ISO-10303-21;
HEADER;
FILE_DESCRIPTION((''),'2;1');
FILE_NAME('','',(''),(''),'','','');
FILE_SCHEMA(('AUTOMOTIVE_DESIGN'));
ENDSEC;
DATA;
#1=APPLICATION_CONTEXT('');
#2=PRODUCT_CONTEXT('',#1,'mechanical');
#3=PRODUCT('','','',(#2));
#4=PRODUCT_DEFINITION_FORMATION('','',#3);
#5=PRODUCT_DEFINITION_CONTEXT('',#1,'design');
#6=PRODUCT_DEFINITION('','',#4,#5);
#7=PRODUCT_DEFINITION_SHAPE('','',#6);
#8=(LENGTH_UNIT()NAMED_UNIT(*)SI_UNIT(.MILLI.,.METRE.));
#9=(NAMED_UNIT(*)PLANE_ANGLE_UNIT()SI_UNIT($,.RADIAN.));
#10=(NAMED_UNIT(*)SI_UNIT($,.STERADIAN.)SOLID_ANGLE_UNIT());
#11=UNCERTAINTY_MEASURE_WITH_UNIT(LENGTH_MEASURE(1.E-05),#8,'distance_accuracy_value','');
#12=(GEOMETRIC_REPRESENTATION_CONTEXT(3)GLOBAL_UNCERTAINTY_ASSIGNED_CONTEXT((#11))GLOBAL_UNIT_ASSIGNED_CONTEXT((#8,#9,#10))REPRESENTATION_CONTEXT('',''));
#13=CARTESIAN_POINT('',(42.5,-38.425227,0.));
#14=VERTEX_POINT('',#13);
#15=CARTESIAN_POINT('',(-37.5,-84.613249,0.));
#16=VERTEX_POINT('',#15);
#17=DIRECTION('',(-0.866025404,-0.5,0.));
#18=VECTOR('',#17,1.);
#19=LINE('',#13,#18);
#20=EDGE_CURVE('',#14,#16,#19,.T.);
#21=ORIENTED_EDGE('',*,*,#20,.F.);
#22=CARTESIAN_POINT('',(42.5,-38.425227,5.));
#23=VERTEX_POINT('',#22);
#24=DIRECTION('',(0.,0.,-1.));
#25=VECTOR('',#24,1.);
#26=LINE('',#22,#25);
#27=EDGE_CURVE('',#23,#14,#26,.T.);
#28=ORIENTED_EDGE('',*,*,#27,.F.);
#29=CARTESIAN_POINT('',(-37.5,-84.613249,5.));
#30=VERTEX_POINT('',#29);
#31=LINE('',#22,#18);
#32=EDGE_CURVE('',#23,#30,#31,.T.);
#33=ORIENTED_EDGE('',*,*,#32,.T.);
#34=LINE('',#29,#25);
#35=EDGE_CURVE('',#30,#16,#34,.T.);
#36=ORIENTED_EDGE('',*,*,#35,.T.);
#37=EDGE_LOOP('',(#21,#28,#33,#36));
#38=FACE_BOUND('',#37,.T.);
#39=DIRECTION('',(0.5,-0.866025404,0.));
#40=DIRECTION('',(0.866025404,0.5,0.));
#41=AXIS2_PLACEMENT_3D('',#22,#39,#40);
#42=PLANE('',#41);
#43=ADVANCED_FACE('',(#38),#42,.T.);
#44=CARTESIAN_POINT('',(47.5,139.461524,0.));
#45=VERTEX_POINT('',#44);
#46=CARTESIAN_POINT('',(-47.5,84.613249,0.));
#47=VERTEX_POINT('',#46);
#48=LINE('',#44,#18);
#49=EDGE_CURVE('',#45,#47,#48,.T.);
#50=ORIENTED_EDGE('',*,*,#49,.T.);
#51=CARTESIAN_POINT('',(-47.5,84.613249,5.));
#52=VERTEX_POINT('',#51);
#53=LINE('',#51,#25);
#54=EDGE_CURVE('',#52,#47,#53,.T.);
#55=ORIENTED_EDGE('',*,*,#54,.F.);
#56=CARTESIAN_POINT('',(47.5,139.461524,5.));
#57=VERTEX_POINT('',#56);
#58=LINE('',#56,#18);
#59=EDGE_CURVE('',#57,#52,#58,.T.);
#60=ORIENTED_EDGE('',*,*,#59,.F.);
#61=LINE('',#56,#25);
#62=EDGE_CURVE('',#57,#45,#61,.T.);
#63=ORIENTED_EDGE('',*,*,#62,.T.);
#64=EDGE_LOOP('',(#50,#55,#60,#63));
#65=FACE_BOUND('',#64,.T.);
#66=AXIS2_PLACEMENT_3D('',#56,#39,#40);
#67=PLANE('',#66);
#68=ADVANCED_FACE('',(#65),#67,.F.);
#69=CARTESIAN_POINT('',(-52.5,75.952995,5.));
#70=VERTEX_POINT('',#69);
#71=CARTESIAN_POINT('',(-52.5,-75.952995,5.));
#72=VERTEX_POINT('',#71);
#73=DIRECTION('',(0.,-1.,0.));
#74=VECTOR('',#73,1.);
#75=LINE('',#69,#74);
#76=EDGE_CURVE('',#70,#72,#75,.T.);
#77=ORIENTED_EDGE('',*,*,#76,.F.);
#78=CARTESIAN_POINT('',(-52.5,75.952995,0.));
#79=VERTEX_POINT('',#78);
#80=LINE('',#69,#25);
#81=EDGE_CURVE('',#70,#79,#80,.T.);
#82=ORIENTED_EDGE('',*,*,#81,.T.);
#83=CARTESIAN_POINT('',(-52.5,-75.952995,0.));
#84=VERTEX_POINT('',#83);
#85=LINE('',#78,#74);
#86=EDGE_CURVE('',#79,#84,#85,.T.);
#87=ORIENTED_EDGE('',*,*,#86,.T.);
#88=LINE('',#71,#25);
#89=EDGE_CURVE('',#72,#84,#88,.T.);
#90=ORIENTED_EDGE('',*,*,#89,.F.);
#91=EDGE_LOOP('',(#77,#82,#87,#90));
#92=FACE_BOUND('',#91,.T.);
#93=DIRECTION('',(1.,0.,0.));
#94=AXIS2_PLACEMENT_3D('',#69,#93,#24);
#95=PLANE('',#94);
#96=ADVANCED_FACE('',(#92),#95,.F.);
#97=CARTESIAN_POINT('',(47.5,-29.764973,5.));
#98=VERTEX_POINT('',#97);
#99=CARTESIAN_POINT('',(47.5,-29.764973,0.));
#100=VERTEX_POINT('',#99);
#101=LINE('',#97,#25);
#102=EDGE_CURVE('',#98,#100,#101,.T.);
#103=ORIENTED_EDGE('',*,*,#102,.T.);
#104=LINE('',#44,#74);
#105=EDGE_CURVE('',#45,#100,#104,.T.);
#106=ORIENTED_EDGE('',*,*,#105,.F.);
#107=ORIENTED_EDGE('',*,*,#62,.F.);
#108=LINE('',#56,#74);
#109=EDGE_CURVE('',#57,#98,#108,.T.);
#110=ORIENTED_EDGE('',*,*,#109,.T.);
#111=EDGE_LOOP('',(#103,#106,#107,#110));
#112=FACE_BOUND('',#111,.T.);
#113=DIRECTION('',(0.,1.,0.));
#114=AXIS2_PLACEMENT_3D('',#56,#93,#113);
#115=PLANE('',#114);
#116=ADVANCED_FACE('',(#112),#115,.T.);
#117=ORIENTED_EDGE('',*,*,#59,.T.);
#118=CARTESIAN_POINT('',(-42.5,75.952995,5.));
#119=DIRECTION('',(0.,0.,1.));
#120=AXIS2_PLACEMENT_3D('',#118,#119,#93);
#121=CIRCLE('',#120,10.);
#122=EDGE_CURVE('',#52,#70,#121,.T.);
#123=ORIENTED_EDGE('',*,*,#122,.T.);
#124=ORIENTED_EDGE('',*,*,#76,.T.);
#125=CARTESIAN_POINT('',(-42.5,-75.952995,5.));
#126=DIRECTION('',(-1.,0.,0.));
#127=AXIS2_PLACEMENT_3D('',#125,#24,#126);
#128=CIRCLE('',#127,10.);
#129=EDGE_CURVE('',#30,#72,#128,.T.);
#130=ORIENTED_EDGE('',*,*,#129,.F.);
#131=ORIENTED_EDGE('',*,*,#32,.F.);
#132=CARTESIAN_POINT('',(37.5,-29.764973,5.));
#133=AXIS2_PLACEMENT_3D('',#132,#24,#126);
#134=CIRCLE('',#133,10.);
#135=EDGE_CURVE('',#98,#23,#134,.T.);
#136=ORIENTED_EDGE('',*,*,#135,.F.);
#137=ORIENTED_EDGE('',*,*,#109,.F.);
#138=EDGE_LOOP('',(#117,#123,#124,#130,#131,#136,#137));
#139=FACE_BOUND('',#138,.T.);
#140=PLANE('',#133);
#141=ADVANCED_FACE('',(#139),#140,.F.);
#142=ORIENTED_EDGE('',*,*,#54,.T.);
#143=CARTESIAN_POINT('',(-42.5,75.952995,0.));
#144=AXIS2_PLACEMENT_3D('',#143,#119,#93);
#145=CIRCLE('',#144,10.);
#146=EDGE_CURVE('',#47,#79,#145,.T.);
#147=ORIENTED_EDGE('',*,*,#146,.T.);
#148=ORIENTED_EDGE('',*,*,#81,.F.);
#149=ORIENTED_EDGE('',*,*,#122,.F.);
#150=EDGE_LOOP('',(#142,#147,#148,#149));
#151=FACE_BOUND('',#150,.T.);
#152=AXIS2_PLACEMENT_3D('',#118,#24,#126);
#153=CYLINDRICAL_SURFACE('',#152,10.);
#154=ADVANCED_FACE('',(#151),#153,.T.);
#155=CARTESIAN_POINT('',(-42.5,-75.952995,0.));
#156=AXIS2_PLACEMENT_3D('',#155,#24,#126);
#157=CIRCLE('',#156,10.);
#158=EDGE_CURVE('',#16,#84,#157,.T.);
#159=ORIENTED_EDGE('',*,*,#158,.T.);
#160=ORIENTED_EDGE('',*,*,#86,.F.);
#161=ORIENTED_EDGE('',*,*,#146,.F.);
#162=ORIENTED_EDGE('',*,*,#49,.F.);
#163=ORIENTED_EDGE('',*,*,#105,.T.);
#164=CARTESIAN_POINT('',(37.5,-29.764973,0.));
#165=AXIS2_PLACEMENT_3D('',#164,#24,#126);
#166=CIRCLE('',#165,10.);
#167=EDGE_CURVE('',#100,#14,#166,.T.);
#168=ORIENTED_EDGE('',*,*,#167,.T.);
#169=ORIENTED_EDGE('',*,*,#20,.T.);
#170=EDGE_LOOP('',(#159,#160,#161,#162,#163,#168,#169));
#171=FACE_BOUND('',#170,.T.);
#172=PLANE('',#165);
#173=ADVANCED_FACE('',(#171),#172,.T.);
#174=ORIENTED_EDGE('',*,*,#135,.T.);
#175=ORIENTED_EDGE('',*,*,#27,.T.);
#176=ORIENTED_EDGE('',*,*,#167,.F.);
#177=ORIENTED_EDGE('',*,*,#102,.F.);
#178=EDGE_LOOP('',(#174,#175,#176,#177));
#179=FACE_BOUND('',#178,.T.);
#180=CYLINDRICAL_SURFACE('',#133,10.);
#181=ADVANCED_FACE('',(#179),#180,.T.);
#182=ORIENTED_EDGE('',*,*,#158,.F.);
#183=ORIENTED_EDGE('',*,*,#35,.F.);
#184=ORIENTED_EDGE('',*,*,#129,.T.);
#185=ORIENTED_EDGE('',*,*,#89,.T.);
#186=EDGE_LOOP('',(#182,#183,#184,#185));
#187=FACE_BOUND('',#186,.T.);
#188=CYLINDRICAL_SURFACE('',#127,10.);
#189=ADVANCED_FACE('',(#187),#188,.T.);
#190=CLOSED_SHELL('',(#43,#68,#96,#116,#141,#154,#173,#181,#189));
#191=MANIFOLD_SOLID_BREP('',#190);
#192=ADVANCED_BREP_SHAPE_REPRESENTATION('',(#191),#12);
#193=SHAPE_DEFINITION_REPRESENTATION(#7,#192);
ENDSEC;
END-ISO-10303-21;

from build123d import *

# Parameters (mm, degrees)
BOSS_EXTRU_1_DEPTH = 5


with BuildPart() as part:
    # Esquisse1 → Boss.-Extru.1 (new body)
    with BuildSketch(Plane.XY):
        with BuildLine():
            Line((47.5, 139.461524227), (47.5, -29.764973081))
            ThreePointArc((47.5, -29.764973081), (46.160254038, -34.764973081), (42.5, -38.425227119))
            Line((42.5, -38.425227119), (-37.5, -84.613248654))
            ThreePointArc((-37.5, -84.613248654), (-47.5, -84.613248654), (-52.5, -75.952994616))
            Line((-52.5, -75.952994616), (-52.5, 75.952994616))
            ThreePointArc((-52.5, 75.952994616), (-51.160254038, 80.952994616), (-47.5, 84.613248654))
            Line((-47.5, 84.613248654), (47.5, 139.461524227))
        make_face()
    extrude(amount=BOSS_EXTRU_1_DEPTH)


solid = part.part
